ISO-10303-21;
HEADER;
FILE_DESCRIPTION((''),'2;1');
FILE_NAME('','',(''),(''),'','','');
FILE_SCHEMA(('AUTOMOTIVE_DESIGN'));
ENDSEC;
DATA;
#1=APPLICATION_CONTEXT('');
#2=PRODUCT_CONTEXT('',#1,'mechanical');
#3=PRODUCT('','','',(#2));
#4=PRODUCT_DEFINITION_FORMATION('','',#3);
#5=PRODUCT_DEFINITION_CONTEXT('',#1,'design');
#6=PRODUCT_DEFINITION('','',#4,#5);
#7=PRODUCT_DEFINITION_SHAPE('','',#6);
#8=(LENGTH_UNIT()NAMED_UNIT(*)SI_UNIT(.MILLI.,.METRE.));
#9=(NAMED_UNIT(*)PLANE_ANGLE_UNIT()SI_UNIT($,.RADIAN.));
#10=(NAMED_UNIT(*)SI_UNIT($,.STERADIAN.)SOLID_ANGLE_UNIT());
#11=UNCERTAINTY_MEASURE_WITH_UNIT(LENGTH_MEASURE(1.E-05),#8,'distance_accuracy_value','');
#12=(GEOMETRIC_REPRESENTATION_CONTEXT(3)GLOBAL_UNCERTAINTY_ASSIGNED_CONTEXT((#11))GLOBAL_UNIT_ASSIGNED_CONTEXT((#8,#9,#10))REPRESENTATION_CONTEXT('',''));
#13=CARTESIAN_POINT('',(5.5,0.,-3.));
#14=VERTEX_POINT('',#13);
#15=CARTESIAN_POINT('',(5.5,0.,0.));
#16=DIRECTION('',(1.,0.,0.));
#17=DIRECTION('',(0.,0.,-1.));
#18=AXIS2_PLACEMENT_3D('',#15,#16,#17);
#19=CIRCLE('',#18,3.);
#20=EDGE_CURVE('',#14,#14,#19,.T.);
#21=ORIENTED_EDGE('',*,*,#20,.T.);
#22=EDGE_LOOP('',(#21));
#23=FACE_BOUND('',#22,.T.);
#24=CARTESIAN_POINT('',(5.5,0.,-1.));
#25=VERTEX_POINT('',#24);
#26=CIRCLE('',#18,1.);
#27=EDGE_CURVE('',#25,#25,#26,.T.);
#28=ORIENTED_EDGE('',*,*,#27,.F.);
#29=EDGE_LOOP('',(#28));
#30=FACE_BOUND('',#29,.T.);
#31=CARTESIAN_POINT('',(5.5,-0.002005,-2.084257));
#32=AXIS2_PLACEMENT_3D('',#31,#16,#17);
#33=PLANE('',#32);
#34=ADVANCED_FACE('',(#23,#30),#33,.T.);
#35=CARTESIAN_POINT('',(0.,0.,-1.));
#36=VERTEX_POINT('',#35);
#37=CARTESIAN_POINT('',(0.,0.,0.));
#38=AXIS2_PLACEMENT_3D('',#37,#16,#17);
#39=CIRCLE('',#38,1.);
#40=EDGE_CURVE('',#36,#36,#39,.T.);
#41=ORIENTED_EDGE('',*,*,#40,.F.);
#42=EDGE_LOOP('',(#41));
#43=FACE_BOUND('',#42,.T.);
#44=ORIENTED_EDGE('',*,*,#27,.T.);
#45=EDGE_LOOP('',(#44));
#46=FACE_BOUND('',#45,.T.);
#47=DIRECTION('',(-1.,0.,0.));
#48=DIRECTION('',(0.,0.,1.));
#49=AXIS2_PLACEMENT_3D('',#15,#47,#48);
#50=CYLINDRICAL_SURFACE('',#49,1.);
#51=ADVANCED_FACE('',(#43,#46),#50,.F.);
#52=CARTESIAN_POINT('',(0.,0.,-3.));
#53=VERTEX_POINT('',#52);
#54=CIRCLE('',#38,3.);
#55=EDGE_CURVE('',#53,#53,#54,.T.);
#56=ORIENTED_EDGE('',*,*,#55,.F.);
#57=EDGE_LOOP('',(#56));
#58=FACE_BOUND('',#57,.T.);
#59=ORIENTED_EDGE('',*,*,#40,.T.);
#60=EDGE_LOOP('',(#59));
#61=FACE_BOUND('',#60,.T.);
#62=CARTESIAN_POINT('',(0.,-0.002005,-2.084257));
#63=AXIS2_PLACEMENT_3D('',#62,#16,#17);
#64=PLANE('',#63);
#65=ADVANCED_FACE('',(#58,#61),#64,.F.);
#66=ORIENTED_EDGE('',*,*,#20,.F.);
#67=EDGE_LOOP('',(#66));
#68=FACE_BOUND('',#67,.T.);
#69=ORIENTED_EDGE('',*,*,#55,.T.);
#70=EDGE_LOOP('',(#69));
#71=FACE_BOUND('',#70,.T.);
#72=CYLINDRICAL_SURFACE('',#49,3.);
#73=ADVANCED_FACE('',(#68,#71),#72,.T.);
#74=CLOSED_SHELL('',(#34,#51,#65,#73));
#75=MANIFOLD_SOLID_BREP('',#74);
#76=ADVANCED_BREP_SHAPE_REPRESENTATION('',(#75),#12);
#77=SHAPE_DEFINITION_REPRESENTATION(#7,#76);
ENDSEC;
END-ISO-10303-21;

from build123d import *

# Parameters (mm, degrees)
ESQUISSE1_R        = 1
BOSS_EXTRU_1_DEPTH = 5.5
BOSS_EXTRU_2_START = -5.5
ESQUISSE2_R        = 3
ESQUISSE2_R_2      = 1
BOSS_EXTRU_2_DEPTH = 5.5


with BuildPart() as part:
    # Esquisse1 → Boss.-Extru.1 (new body)
    with BuildSketch(Plane(origin=(0, 0, 0), x_dir=(0, 0, -1), z_dir=(1, 0, 0))):
        with BuildLine():
            ThreePointArc((2.977310095, 0.368272455), (2.955741127, 0.513414445), (2.927100903, 0.657328154))
            add(Edge.make_bspline(
                [(2.211403727, 0.79214554), (2.222779445, 0.796220429), (2.274133198, 0.805614359), (2.359373738, 0.810478726), (2.538607422, 0.796225963), (2.732062921, 0.744216047), (2.878239296, 0.681280138), (2.927100903, 0.657328154)],
                knots=[0, 0, 0, 0, 0.036250587, 0.155621312, 0.255291203, 0.575254513, 0.744084786, 0.744084786, 0.744084786, 0.744084786], degree=3))
            add(Edge.make_bspline(
                [(2.211403727, 0.79214554), (2.132130324, 0.763749064), (1.99001212, 0.681956821), (1.750090704, 0.694113528), (1.707279056, 0.775127876)],
                knots=[0, 0, 0, 0, 0.252617676, 0.527509393, 0.527509393, 0.527509393, 0.527509393], degree=3))
            ThreePointArc((1.707279056, 0.775127876), (1.657764419, 0.876037746), (1.602292085, 0.973799299))
            add(Edge.make_bspline(
                [(1.90038092, 1.380707558), (1.832256922, 1.331212576), (1.684611138, 1.259880414), (1.559480437, 1.054813647), (1.602292085, 0.973799299)],
                knots=[0, 0, 0, 0, 0.252617676, 0.527509393, 0.527509393, 0.527509393, 0.527509393], degree=3))
            add(Edge.make_bspline(
                [(1.90038092, 1.380707558), (1.9101567, 1.387810078), (1.946851003, 1.424944725), (1.998895263, 1.49262786), (2.088102134, 1.648736761), (2.154127637, 1.837868182), (2.184488772, 1.994094501), (2.192229346, 2.04795764)],
                knots=[0, 0, 0, 0, 0.036250587, 0.155621312, 0.255291203, 0.575254513, 0.744084786, 0.744084786, 0.744084786, 0.744084786], degree=3))
            ThreePointArc((2.192229346, 2.04795764), (2.089467363, 2.152702055), (1.98170658, 2.25229639))
            add(Edge.make_bspline(
                [(1.32345173, 1.940689701), (1.33025972, 1.950672835), (1.366284165, 1.988457663), (1.432386008, 2.04249615), (1.585766668, 2.136316339), (1.772846116, 2.207949723), (1.928098087, 2.242953821), (1.98170658, 2.25229639)],
                knots=[0, 0, 0, 0, 0.036250587, 0.155621312, 0.255291203, 0.575254513, 0.744084786, 0.744084786, 0.744084786, 0.744084786], degree=3))
            add(Edge.make_bspline(
                [(1.32345173, 1.940689701), (1.27600923, 1.871120733), (1.209109462, 1.721414433), (1.007863426, 1.590227146), (0.925609036, 1.630605075)],
                knots=[0, 0, 0, 0, 0.252617676, 0.527509393, 0.527509393, 0.527509393, 0.527509393], degree=3))
            ThreePointArc((0.925609036, 1.630605075), (0.82623752, 1.683138901), (0.72389666, 1.729623839))
            add(Edge.make_bspline(
                [(0.72588092, 2.234031757), (0.699859868, 2.153947194), (0.622339913, 2.009454248), (0.641642271, 1.770001768), (0.72389666, 1.729623839)],
                knots=[0, 0, 0, 0, 0.252617676, 0.527509393, 0.527509393, 0.527509393, 0.527509393], degree=3))
            add(Edge.make_bspline(
                [(0.72588092, 2.234031757), (0.729614936, 2.245523876), (0.737474053, 2.297134806), (0.739795594, 2.382482461), (0.720206959, 2.561211698), (0.662454053, 2.753031049), (0.595189201, 2.897266624), (0.569791499, 2.945392614)],
                knots=[0, 0, 0, 0, 0.036250587, 0.155621312, 0.255291203, 0.575254513, 0.744084786, 0.744084786, 0.744084786, 0.744084786], degree=3))
            ThreePointArc((0.569791499, 2.945392614), (0.425088085, 2.969730648), (0.279367699, 2.986963958))
            add(Edge.make_bspline(
                [(-0.070013845, 2.347956359), (-0.070374004, 2.360034519), (-0.063438981, 2.411777724), (-0.041724492, 2.494349468), (0.027216945, 2.660406485), (0.136462351, 2.82832165), (0.241488941, 2.947895379), (0.279367699, 2.986963958)],
                knots=[0, 0, 0, 0, 0.036250587, 0.155621312, 0.255291203, 0.575254513, 0.744084786, 0.744084786, 0.744084786, 0.744084786], degree=3))
            add(Edge.make_bspline(
                [(-0.070013845, 2.347956359), (-0.06750402, 2.263787878), (-0.033631914, 2.103350241), (-0.119333425, 1.878928045), (-0.209612175, 1.863246558)],
                knots=[0, 0, 0, 0, 0.252617676, 0.527509393, 0.527509393, 0.527509393, 0.527509393], degree=3))
            ThreePointArc((-0.209612175, 1.863246558), (-0.320884028, 1.847338204), (-0.431002684, 1.824790861))
            add(Edge.make_bspline(
                [(-0.72588092, 2.234031757), (-0.699859868, 2.153947194), (-0.677644007, 1.991484859), (-0.521281435, 1.809109374), (-0.431002684, 1.824790861)],
                knots=[0, 0, 0, 0, 0.252617676, 0.527509393, 0.527509393, 0.527509393, 0.527509393], degree=3))
            add(Edge.make_bspline(
                [(-0.72588092, 2.234031757), (-0.729614936, 2.245523876), (-0.75359292, 2.291897469), (-0.801880846, 2.36230974), (-0.922782795, 2.495390819), (-1.082254463, 2.616629628), (-1.221452415, 2.693781371), (-1.270287335, 2.717787719)],
                knots=[0, 0, 0, 0, 0.036250587, 0.155621312, 0.255291203, 0.575254513, 0.744084786, 0.744084786, 0.744084786, 0.744084786], degree=3))
            ThreePointArc((-1.270287335, 2.717787719), (-1.401660393, 2.65242307), (-1.529680147, 2.580712818))
            add(Edge.make_bspline(
                [(-1.436736511, 1.858383491), (-1.44412725, 1.867943232), (-1.468930592, 1.913880668), (-1.499897654, 1.993446068), (-1.541728726, 2.168311777), (-1.552045394, 2.368370838), (-1.537360771, 2.526841097), (-1.529680147, 2.580712818)],
                knots=[0, 0, 0, 0, 0.036250587, 0.155621312, 0.255291203, 0.575254513, 0.744084786, 0.744084786, 0.744084786, 0.744084786], degree=3))
            add(Edge.make_bspline(
                [(-1.436736511, 1.858383491), (-1.385233029, 1.791764998), (-1.263527042, 1.681877747), (-1.200948963, 1.449942292), (-1.26476866, 1.384191185)],
                knots=[0, 0, 0, 0, 0.252617676, 0.527509393, 0.527509393, 0.527509393, 0.527509393], degree=3))
            ThreePointArc((-1.26476866, 1.384191185), (-1.345438785, 1.305917102), (-1.421273653, 1.222949796))
            add(Edge.make_bspline(
                [(-1.90038092, 1.380707558), (-1.832256922, 1.331212576), (-1.718790948, 1.212835941), (-1.48509335, 1.157198689), (-1.421273653, 1.222949796)],
                knots=[0, 0, 0, 0, 0.252617676, 0.527509393, 0.527509393, 0.527509393, 0.527509393], degree=3))
            add(Edge.make_bspline(
                [(-1.90038092, 1.380707558), (-1.9101567, 1.387810078), (-1.956813011, 1.411233197), (-2.037266059, 1.43981499), (-2.213300886, 1.476415463), (-2.413578559, 1.480764624), (-2.571540724, 1.461363192), (-2.625159582, 1.45208029)],
                knots=[0, 0, 0, 0, 0.036250587, 0.155621312, 0.255291203, 0.575254513, 0.744084786, 0.744084786, 0.744084786, 0.744084786], degree=3))
            ThreePointArc((-2.625159582, 1.45208029), (-2.693022242, 1.321980032), (-2.75444217, 1.188717096))
            add(Edge.make_bspline(
                [(-2.254674663, 0.658971294), (-2.266272971, 0.662361119), (-2.313340644, 0.684946248), (-2.385160892, 0.731114025), (-2.521786425, 0.847995669), (-2.64772455, 1.003782864), (-2.728990923, 1.140619401), (-2.75444217, 1.188717096)],
                knots=[0, 0, 0, 0, 0.036250587, 0.155621312, 0.255291203, 0.575254513, 0.744084786, 0.744084786, 0.744084786, 0.744084786], degree=3))
            add(Edge.make_bspline(
                [(-2.254674663, 0.658971294), (-2.173850103, 0.635348788), (-2.010797786, 0.617985118), (-1.823842817, 0.467127866), (-1.836826505, 0.376421826)],
                knots=[0, 0, 0, 0, 0.252617676, 0.527509393, 0.527509393, 0.527509393, 0.527509393], degree=3))
            ThreePointArc((-1.836826505, 0.376421826), (-1.856081655, 0.265680053), (-1.868666393, 0.153983476))
            add(Edge.make_bspline(
                [(-2.349, 0), (-2.264794108, 0), (-2.103418166, -0.029075083), (-1.881650081, 0.063277436), (-1.868666393, 0.153983476)],
                knots=[0, 0, 0, 0, 0.252617676, 0.527509393, 0.527509393, 0.527509393, 0.527509393], degree=3))
            add(Edge.make_bspline(
                [(-2.349, 0), (-2.361083529, 0), (-2.412597041, -0.00847419), (-2.494484881, -0.032640149), (-2.658413265, -0.106500419), (-2.822997679, -0.220702136), (-2.93938788, -0.329246056), (-2.977310095, -0.368272455)],
                knots=[0, 0, 0, 0, 0.036250587, 0.155621312, 0.255291203, 0.575254513, 0.744084786, 0.744084786, 0.744084786, 0.744084786], degree=3))
            ThreePointArc((-2.977310095, -0.368272455), (-2.955741127, -0.513414445), (-2.927100903, -0.657328154))
            add(Edge.make_bspline(
                [(-2.211403727, -0.79214554), (-2.222779445, -0.796220429), (-2.274133198, -0.805614359), (-2.359373738, -0.810478726), (-2.538607422, -0.796225963), (-2.732062921, -0.744216047), (-2.878239296, -0.681280138), (-2.927100903, -0.657328154)],
                knots=[0, 0, 0, 0, 0.036250587, 0.155621312, 0.255291203, 0.575254513, 0.744084786, 0.744084786, 0.744084786, 0.744084786], degree=3))
            add(Edge.make_bspline(
                [(-2.211403727, -0.79214554), (-2.132130324, -0.763749064), (-1.99001212, -0.681956821), (-1.750090704, -0.694113528), (-1.707279056, -0.775127876)],
                knots=[0, 0, 0, 0, 0.252617676, 0.527509393, 0.527509393, 0.527509393, 0.527509393], degree=3))
            ThreePointArc((-1.707279056, -0.775127876), (-1.657764419, -0.876037746), (-1.602292085, -0.973799299))
            add(Edge.make_bspline(
                [(-1.90038092, -1.380707558), (-1.832256922, -1.331212576), (-1.684611138, -1.259880414), (-1.559480437, -1.054813647), (-1.602292085, -0.973799299)],
                knots=[0, 0, 0, 0, 0.252617676, 0.527509393, 0.527509393, 0.527509393, 0.527509393], degree=3))
            add(Edge.make_bspline(
                [(-1.90038092, -1.380707558), (-1.9101567, -1.387810078), (-1.946851003, -1.424944725), (-1.998895263, -1.49262786), (-2.088102134, -1.648736761), (-2.154127637, -1.837868182), (-2.184488772, -1.994094501), (-2.192229346, -2.04795764)],
                knots=[0, 0, 0, 0, 0.036250587, 0.155621312, 0.255291203, 0.575254513, 0.744084786, 0.744084786, 0.744084786, 0.744084786], degree=3))
            ThreePointArc((-2.192229346, -2.04795764), (-2.089467363, -2.152702055), (-1.98170658, -2.25229639))
            add(Edge.make_bspline(
                [(-1.32345173, -1.940689701), (-1.33025972, -1.950672835), (-1.366284165, -1.988457663), (-1.432386008, -2.04249615), (-1.585766668, -2.136316339), (-1.772846116, -2.207949723), (-1.928098087, -2.242953821), (-1.98170658, -2.25229639)],
                knots=[0, 0, 0, 0, 0.036250587, 0.155621312, 0.255291203, 0.575254513, 0.744084786, 0.744084786, 0.744084786, 0.744084786], degree=3))
            add(Edge.make_bspline(
                [(-1.32345173, -1.940689701), (-1.27600923, -1.871120733), (-1.209109462, -1.721414433), (-1.007863426, -1.590227146), (-0.925609036, -1.630605075)],
                knots=[0, 0, 0, 0, 0.252617676, 0.527509393, 0.527509393, 0.527509393, 0.527509393], degree=3))
            ThreePointArc((-0.925609036, -1.630605075), (-0.82623752, -1.683138901), (-0.72389666, -1.729623839))
            add(Edge.make_bspline(
                [(-0.72588092, -2.234031757), (-0.699859868, -2.153947194), (-0.622339913, -2.009454248), (-0.641642271, -1.770001768), (-0.72389666, -1.729623839)],
                knots=[0, 0, 0, 0, 0.252617676, 0.527509393, 0.527509393, 0.527509393, 0.527509393], degree=3))
            add(Edge.make_bspline(
                [(-0.72588092, -2.234031757), (-0.729614936, -2.245523876), (-0.737474053, -2.297134806), (-0.739795594, -2.382482461), (-0.720206959, -2.561211698), (-0.662454053, -2.753031049), (-0.595189201, -2.897266624), (-0.569791499, -2.945392614)],
                knots=[0, 0, 0, 0, 0.036250587, 0.155621312, 0.255291203, 0.575254513, 0.744084786, 0.744084786, 0.744084786, 0.744084786], degree=3))
            ThreePointArc((-0.569791499, -2.945392614), (-0.425088085, -2.969730648), (-0.279367699, -2.986963958))
            add(Edge.make_bspline(
                [(0.070013845, -2.347956359), (0.070374004, -2.360034519), (0.063438981, -2.411777724), (0.041724492, -2.494349468), (-0.027216945, -2.660406485), (-0.136462351, -2.82832165), (-0.241488941, -2.947895379), (-0.279367699, -2.986963958)],
                knots=[0, 0, 0, 0, 0.036250587, 0.155621312, 0.255291203, 0.575254513, 0.744084786, 0.744084786, 0.744084786, 0.744084786], degree=3))
            add(Edge.make_bspline(
                [(0.070013845, -2.347956359), (0.06750402, -2.263787879), (0.033631914, -2.103350241), (0.119333425, -1.878928045), (0.209612175, -1.863246558)],
                knots=[0, 0, 0, 0, 0.252617676, 0.527509393, 0.527509393, 0.527509393, 0.527509393], degree=3))
            ThreePointArc((0.209612175, -1.863246558), (0.320884028, -1.847338204), (0.431002684, -1.824790861))
            add(Edge.make_bspline(
                [(0.72588092, -2.234031757), (0.699859868, -2.153947194), (0.677644007, -1.991484859), (0.521281435, -1.809109374), (0.431002684, -1.824790861)],
                knots=[0, 0, 0, 0, 0.252617676, 0.527509393, 0.527509393, 0.527509393, 0.527509393], degree=3))
            add(Edge.make_bspline(
                [(0.72588092, -2.234031757), (0.729614936, -2.245523876), (0.75359292, -2.291897469), (0.801880846, -2.36230974), (0.922782795, -2.495390819), (1.082254463, -2.616629628), (1.221452415, -2.693781371), (1.270287335, -2.717787719)],
                knots=[0, 0, 0, 0, 0.036250587, 0.155621312, 0.255291203, 0.575254513, 0.744084786, 0.744084786, 0.744084786, 0.744084786], degree=3))
            ThreePointArc((1.270287335, -2.717787719), (1.401660393, -2.65242307), (1.529680147, -2.580712818))
            add(Edge.make_bspline(
                [(1.436736511, -1.858383491), (1.44412725, -1.867943232), (1.468930592, -1.913880668), (1.499897654, -1.993446068), (1.541728726, -2.168311777), (1.552045394, -2.368370838), (1.537360771, -2.526841097), (1.529680147, -2.580712818)],
                knots=[0, 0, 0, 0, 0.036250587, 0.155621312, 0.255291203, 0.575254513, 0.744084786, 0.744084786, 0.744084786, 0.744084786], degree=3))
            add(Edge.make_bspline(
                [(1.436736511, -1.858383491), (1.385233029, -1.791764998), (1.263527042, -1.681877747), (1.200948963, -1.449942292), (1.26476866, -1.384191185)],
                knots=[0, 0, 0, 0, 0.252617676, 0.527509393, 0.527509393, 0.527509393, 0.527509393], degree=3))
            ThreePointArc((1.26476866, -1.384191185), (1.345438785, -1.305917102), (1.421273653, -1.222949796))
            add(Edge.make_bspline(
                [(1.90038092, -1.380707558), (1.832256922, -1.331212576), (1.718790948, -1.212835941), (1.48509335, -1.157198689), (1.421273653, -1.222949796)],
                knots=[0, 0, 0, 0, 0.252617676, 0.527509393, 0.527509393, 0.527509393, 0.527509393], degree=3))
            add(Edge.make_bspline(
                [(1.90038092, -1.380707558), (1.9101567, -1.387810078), (1.956813011, -1.411233197), (2.037266059, -1.43981499), (2.213300886, -1.476415463), (2.413578559, -1.480764624), (2.571540724, -1.461363192), (2.625159582, -1.45208029)],
                knots=[0, 0, 0, 0, 0.036250587, 0.155621312, 0.255291203, 0.575254513, 0.744084786, 0.744084786, 0.744084786, 0.744084786], degree=3))
            ThreePointArc((2.625159582, -1.45208029), (2.693022242, -1.321980032), (2.75444217, -1.188717096))
            add(Edge.make_bspline(
                [(2.254674663, -0.658971294), (2.266272971, -0.662361119), (2.313340644, -0.684946248), (2.385160892, -0.731114025), (2.521786425, -0.847995669), (2.64772455, -1.003782864), (2.728990923, -1.140619401), (2.75444217, -1.188717096)],
                knots=[0, 0, 0, 0, 0.036250587, 0.155621312, 0.255291203, 0.575254513, 0.744084786, 0.744084786, 0.744084786, 0.744084786], degree=3))
            add(Edge.make_bspline(
                [(2.254674663, -0.658971294), (2.173850103, -0.635348788), (2.010797786, -0.617985118), (1.823842817, -0.467127866), (1.836826505, -0.376421826)],
                knots=[0, 0, 0, 0, 0.252617676, 0.527509393, 0.527509393, 0.527509393, 0.527509393], degree=3))
            ThreePointArc((1.836826505, -0.376421826), (1.856081655, -0.265680053), (1.868666393, -0.153983476))
            add(Edge.make_bspline(
                [(2.349, 0), (2.264794108, 0), (2.103418166, 0.029075083), (1.881650081, -0.063277436), (1.868666393, -0.153983476)],
                knots=[0, 0, 0, 0, 0.252617676, 0.527509393, 0.527509393, 0.527509393, 0.527509393], degree=3))
            add(Edge.make_bspline(
                [(2.349, 0), (2.361083529, 0), (2.412597041, 0.00847419), (2.494484881, 0.032640149), (2.658413265, 0.106500419), (2.822997679, 0.220702136), (2.93938788, 0.329246056), (2.977310095, 0.368272455)],
                knots=[0, 0, 0, 0, 0.036250587, 0.155621312, 0.255291203, 0.575254513, 0.744084786, 0.744084786, 0.744084786, 0.744084786], degree=3))
        make_face()
        Circle(ESQUISSE1_R, mode=Mode.SUBTRACT)
    extrude(amount=BOSS_EXTRU_1_DEPTH)

    # Esquisse2 → Boss.-Extru.2 (add)
    with BuildSketch(Plane(origin=(5.5, 0, 0), x_dir=(0, 0, -1), z_dir=(1, 0, 0)).offset(BOSS_EXTRU_2_START)):
        Circle(ESQUISSE2_R)
        Circle(ESQUISSE2_R_2, mode=Mode.SUBTRACT)
    extrude(amount=BOSS_EXTRU_2_DEPTH)


solid = part.part
